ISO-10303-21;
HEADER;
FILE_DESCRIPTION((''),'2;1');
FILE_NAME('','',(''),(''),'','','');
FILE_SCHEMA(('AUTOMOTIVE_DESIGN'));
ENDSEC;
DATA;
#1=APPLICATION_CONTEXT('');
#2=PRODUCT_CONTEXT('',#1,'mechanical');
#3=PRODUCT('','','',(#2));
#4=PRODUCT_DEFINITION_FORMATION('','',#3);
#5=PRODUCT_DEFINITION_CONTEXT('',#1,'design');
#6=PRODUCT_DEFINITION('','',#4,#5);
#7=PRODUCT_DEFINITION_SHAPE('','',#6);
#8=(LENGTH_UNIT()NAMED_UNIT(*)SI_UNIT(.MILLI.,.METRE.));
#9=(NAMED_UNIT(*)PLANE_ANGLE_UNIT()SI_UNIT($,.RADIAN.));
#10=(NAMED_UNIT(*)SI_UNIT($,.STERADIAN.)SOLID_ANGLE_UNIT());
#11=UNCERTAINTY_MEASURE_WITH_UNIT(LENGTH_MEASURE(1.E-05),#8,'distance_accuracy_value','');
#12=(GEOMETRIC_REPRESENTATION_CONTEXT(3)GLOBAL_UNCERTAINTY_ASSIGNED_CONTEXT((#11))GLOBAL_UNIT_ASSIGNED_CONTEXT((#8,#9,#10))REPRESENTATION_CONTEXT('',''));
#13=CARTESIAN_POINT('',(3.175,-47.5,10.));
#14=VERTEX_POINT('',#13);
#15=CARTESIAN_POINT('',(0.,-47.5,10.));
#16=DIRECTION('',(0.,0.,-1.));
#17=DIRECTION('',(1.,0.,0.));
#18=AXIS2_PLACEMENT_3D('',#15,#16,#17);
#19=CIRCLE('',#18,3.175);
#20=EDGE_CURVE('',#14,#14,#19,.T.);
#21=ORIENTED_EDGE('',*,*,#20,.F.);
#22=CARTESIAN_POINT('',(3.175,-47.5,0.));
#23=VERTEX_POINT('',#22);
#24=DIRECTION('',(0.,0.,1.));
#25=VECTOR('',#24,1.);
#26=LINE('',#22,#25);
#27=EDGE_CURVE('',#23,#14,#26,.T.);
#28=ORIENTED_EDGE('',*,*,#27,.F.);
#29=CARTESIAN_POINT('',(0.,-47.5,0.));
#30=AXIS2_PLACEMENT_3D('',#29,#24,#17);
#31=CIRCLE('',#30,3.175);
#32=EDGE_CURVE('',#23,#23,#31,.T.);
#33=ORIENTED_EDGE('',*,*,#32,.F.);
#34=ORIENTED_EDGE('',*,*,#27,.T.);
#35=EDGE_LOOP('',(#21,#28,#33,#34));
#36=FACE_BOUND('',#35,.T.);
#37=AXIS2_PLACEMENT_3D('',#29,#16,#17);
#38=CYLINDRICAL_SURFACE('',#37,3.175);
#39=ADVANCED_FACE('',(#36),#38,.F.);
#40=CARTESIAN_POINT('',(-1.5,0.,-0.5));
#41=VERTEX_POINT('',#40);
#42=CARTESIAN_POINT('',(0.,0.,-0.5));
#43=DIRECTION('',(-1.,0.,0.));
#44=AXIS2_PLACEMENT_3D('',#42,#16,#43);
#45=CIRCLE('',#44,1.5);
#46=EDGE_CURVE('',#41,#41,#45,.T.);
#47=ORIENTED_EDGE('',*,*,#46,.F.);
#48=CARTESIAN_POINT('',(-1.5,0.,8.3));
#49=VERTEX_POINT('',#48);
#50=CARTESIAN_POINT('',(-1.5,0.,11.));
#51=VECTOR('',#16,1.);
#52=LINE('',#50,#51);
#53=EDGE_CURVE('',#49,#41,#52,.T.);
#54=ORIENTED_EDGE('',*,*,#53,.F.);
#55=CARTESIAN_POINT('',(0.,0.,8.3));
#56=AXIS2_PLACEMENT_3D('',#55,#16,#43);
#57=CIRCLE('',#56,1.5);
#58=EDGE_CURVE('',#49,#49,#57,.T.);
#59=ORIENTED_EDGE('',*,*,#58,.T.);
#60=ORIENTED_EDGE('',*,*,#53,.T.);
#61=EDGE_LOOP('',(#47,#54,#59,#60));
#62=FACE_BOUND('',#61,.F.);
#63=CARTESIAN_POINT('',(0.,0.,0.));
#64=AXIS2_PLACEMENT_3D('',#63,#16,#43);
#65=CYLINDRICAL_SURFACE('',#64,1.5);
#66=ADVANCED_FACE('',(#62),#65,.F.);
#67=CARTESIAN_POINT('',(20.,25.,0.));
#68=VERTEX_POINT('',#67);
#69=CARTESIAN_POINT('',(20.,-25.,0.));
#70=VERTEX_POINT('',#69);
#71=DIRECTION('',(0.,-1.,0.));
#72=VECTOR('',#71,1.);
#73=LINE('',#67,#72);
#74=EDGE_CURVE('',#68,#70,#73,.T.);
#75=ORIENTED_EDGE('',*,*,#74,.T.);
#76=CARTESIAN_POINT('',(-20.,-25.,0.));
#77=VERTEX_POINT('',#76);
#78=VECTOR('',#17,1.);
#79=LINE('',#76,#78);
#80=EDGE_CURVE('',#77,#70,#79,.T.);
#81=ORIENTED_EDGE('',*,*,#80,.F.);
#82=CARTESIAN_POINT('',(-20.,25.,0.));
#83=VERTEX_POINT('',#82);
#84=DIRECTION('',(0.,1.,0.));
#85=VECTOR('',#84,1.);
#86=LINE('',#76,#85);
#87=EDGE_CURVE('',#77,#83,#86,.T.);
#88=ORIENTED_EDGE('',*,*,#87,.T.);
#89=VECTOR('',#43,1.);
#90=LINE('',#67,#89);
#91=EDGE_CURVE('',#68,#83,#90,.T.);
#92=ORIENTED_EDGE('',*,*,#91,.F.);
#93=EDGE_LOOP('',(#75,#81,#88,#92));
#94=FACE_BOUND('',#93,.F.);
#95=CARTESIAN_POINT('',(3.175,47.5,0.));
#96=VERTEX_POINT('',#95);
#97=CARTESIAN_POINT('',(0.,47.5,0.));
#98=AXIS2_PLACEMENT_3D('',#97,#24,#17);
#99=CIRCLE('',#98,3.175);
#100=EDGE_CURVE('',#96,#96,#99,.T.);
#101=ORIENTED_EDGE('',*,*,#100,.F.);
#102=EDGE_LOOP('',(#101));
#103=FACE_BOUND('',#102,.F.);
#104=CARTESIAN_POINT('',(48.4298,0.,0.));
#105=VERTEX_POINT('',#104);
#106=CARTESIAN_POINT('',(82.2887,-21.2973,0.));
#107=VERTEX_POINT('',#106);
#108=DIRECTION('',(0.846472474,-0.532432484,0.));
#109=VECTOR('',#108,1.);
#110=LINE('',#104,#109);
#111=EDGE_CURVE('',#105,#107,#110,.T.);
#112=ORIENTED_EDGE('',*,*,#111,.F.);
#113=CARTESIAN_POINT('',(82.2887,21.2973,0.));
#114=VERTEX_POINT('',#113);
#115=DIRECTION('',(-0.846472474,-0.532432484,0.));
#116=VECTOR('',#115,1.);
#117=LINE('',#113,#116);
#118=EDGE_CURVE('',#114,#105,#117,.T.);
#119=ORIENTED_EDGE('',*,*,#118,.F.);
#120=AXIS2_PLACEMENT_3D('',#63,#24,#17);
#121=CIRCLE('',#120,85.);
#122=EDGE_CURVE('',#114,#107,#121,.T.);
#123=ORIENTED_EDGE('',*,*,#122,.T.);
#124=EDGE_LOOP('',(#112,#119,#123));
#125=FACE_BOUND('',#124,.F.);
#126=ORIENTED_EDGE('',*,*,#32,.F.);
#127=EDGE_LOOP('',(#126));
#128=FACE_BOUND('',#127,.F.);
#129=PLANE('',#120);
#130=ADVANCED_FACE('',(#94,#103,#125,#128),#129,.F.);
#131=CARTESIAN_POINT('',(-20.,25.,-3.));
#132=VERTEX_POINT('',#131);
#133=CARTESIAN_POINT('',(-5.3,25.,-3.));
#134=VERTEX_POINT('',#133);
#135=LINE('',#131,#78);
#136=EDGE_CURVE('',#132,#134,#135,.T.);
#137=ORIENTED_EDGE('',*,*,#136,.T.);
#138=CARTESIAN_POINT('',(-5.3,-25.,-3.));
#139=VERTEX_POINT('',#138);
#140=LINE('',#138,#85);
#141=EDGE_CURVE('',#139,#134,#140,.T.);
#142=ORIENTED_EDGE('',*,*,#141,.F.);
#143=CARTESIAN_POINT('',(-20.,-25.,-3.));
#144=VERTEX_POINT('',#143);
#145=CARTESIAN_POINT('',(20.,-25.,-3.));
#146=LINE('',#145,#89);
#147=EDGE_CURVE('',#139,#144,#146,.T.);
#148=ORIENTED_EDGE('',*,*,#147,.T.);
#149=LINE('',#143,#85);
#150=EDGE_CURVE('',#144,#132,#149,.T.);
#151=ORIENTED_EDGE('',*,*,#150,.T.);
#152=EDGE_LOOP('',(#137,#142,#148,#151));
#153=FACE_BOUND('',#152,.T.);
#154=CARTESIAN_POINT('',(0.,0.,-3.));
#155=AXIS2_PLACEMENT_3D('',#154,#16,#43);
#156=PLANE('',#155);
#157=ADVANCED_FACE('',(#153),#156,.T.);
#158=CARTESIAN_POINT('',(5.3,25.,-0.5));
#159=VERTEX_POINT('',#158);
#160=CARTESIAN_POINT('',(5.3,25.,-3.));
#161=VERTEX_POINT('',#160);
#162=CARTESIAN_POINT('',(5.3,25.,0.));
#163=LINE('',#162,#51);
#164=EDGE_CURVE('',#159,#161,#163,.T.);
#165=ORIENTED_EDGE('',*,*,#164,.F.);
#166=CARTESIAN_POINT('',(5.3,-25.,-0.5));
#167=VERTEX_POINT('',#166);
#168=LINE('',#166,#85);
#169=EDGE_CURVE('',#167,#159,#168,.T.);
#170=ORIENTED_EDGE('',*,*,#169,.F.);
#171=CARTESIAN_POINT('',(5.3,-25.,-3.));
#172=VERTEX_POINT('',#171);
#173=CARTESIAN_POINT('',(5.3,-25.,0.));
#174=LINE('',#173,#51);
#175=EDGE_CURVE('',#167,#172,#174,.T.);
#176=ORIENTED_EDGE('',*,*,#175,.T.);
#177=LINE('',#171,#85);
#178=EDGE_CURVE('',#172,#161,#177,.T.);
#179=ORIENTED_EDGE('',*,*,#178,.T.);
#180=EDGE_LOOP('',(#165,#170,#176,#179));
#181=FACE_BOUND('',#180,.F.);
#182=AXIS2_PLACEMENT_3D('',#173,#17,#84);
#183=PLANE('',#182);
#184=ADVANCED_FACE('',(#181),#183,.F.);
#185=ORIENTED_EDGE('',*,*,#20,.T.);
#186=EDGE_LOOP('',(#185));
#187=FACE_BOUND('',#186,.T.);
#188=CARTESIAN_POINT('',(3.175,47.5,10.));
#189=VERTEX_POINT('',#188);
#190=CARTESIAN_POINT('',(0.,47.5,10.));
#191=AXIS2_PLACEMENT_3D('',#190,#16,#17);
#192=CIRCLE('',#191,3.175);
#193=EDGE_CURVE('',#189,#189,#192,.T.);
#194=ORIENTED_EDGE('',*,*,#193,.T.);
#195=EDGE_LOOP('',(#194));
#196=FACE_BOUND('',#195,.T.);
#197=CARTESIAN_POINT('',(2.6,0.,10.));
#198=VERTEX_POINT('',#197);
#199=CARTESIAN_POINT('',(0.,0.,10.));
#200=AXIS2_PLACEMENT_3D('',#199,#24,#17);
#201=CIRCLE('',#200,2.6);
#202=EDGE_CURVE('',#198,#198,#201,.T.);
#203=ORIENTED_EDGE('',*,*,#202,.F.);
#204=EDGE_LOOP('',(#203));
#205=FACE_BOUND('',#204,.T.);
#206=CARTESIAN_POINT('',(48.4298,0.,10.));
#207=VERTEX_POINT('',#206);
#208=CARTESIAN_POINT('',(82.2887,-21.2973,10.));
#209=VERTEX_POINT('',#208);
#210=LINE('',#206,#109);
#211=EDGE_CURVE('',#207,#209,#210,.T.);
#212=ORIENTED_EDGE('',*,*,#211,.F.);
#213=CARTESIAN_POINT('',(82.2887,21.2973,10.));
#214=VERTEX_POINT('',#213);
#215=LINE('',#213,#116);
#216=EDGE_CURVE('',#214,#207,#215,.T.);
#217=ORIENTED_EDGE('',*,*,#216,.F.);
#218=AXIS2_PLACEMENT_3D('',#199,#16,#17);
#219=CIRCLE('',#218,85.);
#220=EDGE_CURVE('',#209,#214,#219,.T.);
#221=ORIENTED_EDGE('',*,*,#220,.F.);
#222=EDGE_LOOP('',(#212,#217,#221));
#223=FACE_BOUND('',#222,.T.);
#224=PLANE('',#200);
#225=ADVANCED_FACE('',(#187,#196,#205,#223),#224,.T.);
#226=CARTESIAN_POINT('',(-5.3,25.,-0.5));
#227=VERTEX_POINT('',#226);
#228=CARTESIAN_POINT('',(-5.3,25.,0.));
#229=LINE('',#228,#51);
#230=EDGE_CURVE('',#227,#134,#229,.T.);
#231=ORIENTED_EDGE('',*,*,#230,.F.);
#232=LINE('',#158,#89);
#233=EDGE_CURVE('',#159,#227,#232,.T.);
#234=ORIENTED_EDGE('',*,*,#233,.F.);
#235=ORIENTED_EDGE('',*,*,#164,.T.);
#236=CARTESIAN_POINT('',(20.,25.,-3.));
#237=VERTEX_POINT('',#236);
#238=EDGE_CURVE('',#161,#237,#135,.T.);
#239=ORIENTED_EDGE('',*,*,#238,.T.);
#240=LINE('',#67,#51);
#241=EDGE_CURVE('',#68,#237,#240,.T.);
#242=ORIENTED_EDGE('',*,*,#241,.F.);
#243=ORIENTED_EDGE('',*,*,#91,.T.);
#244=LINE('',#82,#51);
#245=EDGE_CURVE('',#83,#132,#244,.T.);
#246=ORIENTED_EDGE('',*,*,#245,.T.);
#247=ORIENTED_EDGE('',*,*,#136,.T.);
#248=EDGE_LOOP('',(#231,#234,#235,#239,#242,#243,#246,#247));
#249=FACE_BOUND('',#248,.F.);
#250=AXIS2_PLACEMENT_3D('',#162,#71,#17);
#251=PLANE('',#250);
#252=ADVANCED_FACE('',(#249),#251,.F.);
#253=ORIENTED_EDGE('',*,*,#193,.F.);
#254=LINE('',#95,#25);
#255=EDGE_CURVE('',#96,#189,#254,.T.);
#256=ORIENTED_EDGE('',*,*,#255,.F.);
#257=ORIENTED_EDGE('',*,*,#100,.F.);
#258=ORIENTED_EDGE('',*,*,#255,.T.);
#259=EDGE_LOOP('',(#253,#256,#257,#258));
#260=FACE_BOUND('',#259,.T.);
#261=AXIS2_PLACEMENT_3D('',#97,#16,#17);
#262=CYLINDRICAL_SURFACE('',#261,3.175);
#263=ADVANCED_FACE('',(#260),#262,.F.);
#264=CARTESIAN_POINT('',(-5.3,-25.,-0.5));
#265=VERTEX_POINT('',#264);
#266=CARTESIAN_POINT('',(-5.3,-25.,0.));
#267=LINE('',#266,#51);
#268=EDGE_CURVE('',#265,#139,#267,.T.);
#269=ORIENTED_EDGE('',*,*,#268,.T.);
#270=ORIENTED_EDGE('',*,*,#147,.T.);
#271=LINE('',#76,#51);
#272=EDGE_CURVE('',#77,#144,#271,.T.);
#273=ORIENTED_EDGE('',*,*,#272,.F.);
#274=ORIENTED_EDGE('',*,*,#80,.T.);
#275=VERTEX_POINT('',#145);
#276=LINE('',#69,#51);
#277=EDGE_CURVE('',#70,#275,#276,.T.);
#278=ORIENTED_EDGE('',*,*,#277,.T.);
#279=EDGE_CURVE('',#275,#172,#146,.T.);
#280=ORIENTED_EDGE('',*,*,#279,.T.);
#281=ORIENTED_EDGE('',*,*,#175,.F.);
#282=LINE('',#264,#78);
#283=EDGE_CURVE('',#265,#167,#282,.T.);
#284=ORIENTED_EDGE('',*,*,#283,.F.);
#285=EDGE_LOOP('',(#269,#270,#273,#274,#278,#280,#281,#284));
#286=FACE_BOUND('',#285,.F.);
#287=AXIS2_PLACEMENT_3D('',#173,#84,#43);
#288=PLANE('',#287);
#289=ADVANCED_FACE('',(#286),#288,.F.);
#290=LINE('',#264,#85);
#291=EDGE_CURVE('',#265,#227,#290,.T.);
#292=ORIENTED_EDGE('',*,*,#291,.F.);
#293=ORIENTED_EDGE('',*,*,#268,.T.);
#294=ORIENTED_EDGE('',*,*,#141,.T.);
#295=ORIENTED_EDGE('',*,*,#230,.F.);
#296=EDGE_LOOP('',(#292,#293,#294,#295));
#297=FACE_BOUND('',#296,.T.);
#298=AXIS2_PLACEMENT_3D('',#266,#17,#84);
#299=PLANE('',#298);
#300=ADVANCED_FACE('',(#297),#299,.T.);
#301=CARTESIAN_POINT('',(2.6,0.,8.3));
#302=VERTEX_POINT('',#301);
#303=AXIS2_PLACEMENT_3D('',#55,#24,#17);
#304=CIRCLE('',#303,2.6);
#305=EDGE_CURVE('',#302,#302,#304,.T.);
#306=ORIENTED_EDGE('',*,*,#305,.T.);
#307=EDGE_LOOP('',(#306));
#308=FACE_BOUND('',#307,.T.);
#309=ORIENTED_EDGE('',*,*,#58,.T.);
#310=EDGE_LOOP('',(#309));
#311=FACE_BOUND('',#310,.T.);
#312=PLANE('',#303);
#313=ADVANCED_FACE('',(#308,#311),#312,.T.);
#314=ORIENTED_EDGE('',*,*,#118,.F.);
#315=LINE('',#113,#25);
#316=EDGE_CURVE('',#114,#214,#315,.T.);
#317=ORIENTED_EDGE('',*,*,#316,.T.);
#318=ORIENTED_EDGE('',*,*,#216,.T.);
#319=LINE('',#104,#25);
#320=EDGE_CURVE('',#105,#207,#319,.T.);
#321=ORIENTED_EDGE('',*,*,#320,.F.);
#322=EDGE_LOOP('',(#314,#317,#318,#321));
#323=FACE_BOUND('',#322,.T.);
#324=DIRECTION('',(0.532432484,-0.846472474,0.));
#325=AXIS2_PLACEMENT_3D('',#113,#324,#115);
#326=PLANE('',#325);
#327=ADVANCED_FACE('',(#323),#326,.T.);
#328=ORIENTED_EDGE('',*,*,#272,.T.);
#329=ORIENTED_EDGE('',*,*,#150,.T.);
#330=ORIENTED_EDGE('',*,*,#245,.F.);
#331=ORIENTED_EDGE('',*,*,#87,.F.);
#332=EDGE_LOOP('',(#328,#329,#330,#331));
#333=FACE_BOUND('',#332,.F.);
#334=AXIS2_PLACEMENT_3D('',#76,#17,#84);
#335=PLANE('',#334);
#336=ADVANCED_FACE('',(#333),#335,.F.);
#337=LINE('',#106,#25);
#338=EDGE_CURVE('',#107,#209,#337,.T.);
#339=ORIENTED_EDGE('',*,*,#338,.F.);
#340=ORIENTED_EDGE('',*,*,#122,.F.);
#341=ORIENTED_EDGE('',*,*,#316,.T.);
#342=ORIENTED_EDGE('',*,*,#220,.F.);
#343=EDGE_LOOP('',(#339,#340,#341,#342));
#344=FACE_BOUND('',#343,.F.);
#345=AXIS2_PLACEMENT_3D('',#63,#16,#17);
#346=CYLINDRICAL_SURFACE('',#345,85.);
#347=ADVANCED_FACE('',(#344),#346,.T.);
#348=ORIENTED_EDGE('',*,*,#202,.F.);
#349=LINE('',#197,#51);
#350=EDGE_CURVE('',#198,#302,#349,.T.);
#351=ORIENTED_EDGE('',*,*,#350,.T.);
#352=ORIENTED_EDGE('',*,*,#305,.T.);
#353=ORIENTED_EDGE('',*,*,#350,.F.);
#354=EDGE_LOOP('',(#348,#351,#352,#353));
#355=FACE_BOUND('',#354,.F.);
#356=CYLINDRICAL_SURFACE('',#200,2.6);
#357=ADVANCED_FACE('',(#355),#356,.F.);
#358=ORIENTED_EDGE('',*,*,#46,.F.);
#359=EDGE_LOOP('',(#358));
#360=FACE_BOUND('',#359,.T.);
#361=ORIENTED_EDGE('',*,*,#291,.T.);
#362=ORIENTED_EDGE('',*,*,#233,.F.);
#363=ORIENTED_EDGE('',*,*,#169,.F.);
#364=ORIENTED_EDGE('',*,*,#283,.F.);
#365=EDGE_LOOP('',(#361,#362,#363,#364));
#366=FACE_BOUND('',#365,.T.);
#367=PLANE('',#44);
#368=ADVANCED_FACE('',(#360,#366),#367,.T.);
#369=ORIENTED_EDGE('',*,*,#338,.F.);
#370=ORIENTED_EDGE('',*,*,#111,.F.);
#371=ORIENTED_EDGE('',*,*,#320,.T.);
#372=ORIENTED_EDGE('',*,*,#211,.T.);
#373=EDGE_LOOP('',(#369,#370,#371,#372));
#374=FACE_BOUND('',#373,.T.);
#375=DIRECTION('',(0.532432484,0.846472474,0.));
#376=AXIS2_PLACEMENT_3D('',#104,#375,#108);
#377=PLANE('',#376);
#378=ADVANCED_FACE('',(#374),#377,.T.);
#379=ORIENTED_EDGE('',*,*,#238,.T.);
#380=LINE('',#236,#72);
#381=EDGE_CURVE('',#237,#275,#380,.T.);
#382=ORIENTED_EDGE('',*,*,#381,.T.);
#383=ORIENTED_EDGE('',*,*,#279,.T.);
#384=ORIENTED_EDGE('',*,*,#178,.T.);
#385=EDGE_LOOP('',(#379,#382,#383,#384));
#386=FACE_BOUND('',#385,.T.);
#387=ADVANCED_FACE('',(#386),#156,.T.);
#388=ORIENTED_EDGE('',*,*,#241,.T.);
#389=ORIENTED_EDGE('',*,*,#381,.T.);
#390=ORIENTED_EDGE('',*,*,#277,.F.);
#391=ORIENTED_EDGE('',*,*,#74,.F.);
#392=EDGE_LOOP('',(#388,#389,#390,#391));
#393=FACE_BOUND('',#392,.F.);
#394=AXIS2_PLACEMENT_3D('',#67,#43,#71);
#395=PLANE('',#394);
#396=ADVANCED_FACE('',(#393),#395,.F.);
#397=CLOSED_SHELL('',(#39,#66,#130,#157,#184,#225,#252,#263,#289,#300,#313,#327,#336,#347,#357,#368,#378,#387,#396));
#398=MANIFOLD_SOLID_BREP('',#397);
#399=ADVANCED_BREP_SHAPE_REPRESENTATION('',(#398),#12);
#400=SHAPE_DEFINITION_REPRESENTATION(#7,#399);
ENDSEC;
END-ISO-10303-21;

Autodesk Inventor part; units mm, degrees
ref_plane "YZ Plane" through (0, 0, 0) normal (1, 0, 0) x (0, 1, 0)
sketch "Sketch1" plane through (0, 0, 0) normal (0, 0, 1) x (1, 0, 0)
  circle A0 centre (0, 0) radius 85
  line L0 (0, -85) -> (0, 85)
  line L1 (-85, 0) -> (85, 0)
  circle A1 centre (0, -47.5) radius 3.175
  circle A2 centre (0, 47.5) radius 3.175
  line L2 (82.2887, 21.2973) -> (48.4298, 0)
  line L3 (48.4298, 0) -> (82.2887, -21.2973)
  dimension "d0" = 170
  dimension "d21" = 6.35
  dimension "d22" = 47.5
  dimension "d49" = 40
  dimension "d50" = 40
  dimension "d51" = 32.17
extrude "Extrusion1" add sketch "Sketch1" along normal blind 10
sketch "Sketch2" plane through (0, 0, 0) normal (0, 0, -1) x (-1, 0, 0)
  line L0 (-20, -25) -> (20, -25)
  line L1 (20, -25) -> (20, 25)
  line L2 (20, 25) -> (-20, 25)
  line L3 (-20, 25) -> (-20, -25)
  line L4 (0, -25) -> (0, 25)
  line L5 (5.3, -25) -> (5.3, 25)
  line L6 (-5.3, -25) -> (-5.3, 25)
  circle A0 centre (0, 0) radius 1.5
  point P0 (-5.3, -25)
  point P1 (5.3, -25)
  dimension "d3" = 40
  dimension "d4" = 50
  dimension "d18" = 3
  dimension "d25" = 5.3
  dimension "d27" = 10.6
extrude "Extrusion2" add sketch "Sketch2" along normal blind 3 contours L3 L2 L6 L0 | L5 L2 L1 L0
extrude "Extrusion3" add sketch "Sketch2" along normal blind 0.5 contours L6 L2 L4 A0 L0 | L4 A0 L2 L5 L0 | A0 L4 | L4 A0
extrude "Extrusion4" cut sketch "Sketch2" along normal through all both and the other way through all contours A0 L4 | L4 A0
extrude "Extrusion5" cut sketch "Sketch1" along normal through all contours A2 L0 | L0 A2 | A1 L0 | L0 A1
thread "Thread1" size "M3x0.5" class "6H" standard "ANSI Metric M Profile" length 77
sketch "Sketch3" plane through (0, 0, 10) normal (0, 0, 1) x (1, 0, 0)
  circle A0 centre (0, 0) radius 2.6
  dimension "d30" = 5.2
extrude "Extrusion6" cut sketch "Sketch3" against normal blind 1.7
ref_plane "Work Plane1" through (0, 15, 0) normal (0, 1, 0) x (-1, 0, 0)
ref_plane "Work Plane2" through (0, -15, 0) normal (0, 1, 0) x (-1, 0, 0)
extrude "Extrusion9" cut sketch "Sketch1" along normal blind 10 contours L1 L2 A0 | A0 L3 L1
properties part number "Base" material "Wood (Maple)"
